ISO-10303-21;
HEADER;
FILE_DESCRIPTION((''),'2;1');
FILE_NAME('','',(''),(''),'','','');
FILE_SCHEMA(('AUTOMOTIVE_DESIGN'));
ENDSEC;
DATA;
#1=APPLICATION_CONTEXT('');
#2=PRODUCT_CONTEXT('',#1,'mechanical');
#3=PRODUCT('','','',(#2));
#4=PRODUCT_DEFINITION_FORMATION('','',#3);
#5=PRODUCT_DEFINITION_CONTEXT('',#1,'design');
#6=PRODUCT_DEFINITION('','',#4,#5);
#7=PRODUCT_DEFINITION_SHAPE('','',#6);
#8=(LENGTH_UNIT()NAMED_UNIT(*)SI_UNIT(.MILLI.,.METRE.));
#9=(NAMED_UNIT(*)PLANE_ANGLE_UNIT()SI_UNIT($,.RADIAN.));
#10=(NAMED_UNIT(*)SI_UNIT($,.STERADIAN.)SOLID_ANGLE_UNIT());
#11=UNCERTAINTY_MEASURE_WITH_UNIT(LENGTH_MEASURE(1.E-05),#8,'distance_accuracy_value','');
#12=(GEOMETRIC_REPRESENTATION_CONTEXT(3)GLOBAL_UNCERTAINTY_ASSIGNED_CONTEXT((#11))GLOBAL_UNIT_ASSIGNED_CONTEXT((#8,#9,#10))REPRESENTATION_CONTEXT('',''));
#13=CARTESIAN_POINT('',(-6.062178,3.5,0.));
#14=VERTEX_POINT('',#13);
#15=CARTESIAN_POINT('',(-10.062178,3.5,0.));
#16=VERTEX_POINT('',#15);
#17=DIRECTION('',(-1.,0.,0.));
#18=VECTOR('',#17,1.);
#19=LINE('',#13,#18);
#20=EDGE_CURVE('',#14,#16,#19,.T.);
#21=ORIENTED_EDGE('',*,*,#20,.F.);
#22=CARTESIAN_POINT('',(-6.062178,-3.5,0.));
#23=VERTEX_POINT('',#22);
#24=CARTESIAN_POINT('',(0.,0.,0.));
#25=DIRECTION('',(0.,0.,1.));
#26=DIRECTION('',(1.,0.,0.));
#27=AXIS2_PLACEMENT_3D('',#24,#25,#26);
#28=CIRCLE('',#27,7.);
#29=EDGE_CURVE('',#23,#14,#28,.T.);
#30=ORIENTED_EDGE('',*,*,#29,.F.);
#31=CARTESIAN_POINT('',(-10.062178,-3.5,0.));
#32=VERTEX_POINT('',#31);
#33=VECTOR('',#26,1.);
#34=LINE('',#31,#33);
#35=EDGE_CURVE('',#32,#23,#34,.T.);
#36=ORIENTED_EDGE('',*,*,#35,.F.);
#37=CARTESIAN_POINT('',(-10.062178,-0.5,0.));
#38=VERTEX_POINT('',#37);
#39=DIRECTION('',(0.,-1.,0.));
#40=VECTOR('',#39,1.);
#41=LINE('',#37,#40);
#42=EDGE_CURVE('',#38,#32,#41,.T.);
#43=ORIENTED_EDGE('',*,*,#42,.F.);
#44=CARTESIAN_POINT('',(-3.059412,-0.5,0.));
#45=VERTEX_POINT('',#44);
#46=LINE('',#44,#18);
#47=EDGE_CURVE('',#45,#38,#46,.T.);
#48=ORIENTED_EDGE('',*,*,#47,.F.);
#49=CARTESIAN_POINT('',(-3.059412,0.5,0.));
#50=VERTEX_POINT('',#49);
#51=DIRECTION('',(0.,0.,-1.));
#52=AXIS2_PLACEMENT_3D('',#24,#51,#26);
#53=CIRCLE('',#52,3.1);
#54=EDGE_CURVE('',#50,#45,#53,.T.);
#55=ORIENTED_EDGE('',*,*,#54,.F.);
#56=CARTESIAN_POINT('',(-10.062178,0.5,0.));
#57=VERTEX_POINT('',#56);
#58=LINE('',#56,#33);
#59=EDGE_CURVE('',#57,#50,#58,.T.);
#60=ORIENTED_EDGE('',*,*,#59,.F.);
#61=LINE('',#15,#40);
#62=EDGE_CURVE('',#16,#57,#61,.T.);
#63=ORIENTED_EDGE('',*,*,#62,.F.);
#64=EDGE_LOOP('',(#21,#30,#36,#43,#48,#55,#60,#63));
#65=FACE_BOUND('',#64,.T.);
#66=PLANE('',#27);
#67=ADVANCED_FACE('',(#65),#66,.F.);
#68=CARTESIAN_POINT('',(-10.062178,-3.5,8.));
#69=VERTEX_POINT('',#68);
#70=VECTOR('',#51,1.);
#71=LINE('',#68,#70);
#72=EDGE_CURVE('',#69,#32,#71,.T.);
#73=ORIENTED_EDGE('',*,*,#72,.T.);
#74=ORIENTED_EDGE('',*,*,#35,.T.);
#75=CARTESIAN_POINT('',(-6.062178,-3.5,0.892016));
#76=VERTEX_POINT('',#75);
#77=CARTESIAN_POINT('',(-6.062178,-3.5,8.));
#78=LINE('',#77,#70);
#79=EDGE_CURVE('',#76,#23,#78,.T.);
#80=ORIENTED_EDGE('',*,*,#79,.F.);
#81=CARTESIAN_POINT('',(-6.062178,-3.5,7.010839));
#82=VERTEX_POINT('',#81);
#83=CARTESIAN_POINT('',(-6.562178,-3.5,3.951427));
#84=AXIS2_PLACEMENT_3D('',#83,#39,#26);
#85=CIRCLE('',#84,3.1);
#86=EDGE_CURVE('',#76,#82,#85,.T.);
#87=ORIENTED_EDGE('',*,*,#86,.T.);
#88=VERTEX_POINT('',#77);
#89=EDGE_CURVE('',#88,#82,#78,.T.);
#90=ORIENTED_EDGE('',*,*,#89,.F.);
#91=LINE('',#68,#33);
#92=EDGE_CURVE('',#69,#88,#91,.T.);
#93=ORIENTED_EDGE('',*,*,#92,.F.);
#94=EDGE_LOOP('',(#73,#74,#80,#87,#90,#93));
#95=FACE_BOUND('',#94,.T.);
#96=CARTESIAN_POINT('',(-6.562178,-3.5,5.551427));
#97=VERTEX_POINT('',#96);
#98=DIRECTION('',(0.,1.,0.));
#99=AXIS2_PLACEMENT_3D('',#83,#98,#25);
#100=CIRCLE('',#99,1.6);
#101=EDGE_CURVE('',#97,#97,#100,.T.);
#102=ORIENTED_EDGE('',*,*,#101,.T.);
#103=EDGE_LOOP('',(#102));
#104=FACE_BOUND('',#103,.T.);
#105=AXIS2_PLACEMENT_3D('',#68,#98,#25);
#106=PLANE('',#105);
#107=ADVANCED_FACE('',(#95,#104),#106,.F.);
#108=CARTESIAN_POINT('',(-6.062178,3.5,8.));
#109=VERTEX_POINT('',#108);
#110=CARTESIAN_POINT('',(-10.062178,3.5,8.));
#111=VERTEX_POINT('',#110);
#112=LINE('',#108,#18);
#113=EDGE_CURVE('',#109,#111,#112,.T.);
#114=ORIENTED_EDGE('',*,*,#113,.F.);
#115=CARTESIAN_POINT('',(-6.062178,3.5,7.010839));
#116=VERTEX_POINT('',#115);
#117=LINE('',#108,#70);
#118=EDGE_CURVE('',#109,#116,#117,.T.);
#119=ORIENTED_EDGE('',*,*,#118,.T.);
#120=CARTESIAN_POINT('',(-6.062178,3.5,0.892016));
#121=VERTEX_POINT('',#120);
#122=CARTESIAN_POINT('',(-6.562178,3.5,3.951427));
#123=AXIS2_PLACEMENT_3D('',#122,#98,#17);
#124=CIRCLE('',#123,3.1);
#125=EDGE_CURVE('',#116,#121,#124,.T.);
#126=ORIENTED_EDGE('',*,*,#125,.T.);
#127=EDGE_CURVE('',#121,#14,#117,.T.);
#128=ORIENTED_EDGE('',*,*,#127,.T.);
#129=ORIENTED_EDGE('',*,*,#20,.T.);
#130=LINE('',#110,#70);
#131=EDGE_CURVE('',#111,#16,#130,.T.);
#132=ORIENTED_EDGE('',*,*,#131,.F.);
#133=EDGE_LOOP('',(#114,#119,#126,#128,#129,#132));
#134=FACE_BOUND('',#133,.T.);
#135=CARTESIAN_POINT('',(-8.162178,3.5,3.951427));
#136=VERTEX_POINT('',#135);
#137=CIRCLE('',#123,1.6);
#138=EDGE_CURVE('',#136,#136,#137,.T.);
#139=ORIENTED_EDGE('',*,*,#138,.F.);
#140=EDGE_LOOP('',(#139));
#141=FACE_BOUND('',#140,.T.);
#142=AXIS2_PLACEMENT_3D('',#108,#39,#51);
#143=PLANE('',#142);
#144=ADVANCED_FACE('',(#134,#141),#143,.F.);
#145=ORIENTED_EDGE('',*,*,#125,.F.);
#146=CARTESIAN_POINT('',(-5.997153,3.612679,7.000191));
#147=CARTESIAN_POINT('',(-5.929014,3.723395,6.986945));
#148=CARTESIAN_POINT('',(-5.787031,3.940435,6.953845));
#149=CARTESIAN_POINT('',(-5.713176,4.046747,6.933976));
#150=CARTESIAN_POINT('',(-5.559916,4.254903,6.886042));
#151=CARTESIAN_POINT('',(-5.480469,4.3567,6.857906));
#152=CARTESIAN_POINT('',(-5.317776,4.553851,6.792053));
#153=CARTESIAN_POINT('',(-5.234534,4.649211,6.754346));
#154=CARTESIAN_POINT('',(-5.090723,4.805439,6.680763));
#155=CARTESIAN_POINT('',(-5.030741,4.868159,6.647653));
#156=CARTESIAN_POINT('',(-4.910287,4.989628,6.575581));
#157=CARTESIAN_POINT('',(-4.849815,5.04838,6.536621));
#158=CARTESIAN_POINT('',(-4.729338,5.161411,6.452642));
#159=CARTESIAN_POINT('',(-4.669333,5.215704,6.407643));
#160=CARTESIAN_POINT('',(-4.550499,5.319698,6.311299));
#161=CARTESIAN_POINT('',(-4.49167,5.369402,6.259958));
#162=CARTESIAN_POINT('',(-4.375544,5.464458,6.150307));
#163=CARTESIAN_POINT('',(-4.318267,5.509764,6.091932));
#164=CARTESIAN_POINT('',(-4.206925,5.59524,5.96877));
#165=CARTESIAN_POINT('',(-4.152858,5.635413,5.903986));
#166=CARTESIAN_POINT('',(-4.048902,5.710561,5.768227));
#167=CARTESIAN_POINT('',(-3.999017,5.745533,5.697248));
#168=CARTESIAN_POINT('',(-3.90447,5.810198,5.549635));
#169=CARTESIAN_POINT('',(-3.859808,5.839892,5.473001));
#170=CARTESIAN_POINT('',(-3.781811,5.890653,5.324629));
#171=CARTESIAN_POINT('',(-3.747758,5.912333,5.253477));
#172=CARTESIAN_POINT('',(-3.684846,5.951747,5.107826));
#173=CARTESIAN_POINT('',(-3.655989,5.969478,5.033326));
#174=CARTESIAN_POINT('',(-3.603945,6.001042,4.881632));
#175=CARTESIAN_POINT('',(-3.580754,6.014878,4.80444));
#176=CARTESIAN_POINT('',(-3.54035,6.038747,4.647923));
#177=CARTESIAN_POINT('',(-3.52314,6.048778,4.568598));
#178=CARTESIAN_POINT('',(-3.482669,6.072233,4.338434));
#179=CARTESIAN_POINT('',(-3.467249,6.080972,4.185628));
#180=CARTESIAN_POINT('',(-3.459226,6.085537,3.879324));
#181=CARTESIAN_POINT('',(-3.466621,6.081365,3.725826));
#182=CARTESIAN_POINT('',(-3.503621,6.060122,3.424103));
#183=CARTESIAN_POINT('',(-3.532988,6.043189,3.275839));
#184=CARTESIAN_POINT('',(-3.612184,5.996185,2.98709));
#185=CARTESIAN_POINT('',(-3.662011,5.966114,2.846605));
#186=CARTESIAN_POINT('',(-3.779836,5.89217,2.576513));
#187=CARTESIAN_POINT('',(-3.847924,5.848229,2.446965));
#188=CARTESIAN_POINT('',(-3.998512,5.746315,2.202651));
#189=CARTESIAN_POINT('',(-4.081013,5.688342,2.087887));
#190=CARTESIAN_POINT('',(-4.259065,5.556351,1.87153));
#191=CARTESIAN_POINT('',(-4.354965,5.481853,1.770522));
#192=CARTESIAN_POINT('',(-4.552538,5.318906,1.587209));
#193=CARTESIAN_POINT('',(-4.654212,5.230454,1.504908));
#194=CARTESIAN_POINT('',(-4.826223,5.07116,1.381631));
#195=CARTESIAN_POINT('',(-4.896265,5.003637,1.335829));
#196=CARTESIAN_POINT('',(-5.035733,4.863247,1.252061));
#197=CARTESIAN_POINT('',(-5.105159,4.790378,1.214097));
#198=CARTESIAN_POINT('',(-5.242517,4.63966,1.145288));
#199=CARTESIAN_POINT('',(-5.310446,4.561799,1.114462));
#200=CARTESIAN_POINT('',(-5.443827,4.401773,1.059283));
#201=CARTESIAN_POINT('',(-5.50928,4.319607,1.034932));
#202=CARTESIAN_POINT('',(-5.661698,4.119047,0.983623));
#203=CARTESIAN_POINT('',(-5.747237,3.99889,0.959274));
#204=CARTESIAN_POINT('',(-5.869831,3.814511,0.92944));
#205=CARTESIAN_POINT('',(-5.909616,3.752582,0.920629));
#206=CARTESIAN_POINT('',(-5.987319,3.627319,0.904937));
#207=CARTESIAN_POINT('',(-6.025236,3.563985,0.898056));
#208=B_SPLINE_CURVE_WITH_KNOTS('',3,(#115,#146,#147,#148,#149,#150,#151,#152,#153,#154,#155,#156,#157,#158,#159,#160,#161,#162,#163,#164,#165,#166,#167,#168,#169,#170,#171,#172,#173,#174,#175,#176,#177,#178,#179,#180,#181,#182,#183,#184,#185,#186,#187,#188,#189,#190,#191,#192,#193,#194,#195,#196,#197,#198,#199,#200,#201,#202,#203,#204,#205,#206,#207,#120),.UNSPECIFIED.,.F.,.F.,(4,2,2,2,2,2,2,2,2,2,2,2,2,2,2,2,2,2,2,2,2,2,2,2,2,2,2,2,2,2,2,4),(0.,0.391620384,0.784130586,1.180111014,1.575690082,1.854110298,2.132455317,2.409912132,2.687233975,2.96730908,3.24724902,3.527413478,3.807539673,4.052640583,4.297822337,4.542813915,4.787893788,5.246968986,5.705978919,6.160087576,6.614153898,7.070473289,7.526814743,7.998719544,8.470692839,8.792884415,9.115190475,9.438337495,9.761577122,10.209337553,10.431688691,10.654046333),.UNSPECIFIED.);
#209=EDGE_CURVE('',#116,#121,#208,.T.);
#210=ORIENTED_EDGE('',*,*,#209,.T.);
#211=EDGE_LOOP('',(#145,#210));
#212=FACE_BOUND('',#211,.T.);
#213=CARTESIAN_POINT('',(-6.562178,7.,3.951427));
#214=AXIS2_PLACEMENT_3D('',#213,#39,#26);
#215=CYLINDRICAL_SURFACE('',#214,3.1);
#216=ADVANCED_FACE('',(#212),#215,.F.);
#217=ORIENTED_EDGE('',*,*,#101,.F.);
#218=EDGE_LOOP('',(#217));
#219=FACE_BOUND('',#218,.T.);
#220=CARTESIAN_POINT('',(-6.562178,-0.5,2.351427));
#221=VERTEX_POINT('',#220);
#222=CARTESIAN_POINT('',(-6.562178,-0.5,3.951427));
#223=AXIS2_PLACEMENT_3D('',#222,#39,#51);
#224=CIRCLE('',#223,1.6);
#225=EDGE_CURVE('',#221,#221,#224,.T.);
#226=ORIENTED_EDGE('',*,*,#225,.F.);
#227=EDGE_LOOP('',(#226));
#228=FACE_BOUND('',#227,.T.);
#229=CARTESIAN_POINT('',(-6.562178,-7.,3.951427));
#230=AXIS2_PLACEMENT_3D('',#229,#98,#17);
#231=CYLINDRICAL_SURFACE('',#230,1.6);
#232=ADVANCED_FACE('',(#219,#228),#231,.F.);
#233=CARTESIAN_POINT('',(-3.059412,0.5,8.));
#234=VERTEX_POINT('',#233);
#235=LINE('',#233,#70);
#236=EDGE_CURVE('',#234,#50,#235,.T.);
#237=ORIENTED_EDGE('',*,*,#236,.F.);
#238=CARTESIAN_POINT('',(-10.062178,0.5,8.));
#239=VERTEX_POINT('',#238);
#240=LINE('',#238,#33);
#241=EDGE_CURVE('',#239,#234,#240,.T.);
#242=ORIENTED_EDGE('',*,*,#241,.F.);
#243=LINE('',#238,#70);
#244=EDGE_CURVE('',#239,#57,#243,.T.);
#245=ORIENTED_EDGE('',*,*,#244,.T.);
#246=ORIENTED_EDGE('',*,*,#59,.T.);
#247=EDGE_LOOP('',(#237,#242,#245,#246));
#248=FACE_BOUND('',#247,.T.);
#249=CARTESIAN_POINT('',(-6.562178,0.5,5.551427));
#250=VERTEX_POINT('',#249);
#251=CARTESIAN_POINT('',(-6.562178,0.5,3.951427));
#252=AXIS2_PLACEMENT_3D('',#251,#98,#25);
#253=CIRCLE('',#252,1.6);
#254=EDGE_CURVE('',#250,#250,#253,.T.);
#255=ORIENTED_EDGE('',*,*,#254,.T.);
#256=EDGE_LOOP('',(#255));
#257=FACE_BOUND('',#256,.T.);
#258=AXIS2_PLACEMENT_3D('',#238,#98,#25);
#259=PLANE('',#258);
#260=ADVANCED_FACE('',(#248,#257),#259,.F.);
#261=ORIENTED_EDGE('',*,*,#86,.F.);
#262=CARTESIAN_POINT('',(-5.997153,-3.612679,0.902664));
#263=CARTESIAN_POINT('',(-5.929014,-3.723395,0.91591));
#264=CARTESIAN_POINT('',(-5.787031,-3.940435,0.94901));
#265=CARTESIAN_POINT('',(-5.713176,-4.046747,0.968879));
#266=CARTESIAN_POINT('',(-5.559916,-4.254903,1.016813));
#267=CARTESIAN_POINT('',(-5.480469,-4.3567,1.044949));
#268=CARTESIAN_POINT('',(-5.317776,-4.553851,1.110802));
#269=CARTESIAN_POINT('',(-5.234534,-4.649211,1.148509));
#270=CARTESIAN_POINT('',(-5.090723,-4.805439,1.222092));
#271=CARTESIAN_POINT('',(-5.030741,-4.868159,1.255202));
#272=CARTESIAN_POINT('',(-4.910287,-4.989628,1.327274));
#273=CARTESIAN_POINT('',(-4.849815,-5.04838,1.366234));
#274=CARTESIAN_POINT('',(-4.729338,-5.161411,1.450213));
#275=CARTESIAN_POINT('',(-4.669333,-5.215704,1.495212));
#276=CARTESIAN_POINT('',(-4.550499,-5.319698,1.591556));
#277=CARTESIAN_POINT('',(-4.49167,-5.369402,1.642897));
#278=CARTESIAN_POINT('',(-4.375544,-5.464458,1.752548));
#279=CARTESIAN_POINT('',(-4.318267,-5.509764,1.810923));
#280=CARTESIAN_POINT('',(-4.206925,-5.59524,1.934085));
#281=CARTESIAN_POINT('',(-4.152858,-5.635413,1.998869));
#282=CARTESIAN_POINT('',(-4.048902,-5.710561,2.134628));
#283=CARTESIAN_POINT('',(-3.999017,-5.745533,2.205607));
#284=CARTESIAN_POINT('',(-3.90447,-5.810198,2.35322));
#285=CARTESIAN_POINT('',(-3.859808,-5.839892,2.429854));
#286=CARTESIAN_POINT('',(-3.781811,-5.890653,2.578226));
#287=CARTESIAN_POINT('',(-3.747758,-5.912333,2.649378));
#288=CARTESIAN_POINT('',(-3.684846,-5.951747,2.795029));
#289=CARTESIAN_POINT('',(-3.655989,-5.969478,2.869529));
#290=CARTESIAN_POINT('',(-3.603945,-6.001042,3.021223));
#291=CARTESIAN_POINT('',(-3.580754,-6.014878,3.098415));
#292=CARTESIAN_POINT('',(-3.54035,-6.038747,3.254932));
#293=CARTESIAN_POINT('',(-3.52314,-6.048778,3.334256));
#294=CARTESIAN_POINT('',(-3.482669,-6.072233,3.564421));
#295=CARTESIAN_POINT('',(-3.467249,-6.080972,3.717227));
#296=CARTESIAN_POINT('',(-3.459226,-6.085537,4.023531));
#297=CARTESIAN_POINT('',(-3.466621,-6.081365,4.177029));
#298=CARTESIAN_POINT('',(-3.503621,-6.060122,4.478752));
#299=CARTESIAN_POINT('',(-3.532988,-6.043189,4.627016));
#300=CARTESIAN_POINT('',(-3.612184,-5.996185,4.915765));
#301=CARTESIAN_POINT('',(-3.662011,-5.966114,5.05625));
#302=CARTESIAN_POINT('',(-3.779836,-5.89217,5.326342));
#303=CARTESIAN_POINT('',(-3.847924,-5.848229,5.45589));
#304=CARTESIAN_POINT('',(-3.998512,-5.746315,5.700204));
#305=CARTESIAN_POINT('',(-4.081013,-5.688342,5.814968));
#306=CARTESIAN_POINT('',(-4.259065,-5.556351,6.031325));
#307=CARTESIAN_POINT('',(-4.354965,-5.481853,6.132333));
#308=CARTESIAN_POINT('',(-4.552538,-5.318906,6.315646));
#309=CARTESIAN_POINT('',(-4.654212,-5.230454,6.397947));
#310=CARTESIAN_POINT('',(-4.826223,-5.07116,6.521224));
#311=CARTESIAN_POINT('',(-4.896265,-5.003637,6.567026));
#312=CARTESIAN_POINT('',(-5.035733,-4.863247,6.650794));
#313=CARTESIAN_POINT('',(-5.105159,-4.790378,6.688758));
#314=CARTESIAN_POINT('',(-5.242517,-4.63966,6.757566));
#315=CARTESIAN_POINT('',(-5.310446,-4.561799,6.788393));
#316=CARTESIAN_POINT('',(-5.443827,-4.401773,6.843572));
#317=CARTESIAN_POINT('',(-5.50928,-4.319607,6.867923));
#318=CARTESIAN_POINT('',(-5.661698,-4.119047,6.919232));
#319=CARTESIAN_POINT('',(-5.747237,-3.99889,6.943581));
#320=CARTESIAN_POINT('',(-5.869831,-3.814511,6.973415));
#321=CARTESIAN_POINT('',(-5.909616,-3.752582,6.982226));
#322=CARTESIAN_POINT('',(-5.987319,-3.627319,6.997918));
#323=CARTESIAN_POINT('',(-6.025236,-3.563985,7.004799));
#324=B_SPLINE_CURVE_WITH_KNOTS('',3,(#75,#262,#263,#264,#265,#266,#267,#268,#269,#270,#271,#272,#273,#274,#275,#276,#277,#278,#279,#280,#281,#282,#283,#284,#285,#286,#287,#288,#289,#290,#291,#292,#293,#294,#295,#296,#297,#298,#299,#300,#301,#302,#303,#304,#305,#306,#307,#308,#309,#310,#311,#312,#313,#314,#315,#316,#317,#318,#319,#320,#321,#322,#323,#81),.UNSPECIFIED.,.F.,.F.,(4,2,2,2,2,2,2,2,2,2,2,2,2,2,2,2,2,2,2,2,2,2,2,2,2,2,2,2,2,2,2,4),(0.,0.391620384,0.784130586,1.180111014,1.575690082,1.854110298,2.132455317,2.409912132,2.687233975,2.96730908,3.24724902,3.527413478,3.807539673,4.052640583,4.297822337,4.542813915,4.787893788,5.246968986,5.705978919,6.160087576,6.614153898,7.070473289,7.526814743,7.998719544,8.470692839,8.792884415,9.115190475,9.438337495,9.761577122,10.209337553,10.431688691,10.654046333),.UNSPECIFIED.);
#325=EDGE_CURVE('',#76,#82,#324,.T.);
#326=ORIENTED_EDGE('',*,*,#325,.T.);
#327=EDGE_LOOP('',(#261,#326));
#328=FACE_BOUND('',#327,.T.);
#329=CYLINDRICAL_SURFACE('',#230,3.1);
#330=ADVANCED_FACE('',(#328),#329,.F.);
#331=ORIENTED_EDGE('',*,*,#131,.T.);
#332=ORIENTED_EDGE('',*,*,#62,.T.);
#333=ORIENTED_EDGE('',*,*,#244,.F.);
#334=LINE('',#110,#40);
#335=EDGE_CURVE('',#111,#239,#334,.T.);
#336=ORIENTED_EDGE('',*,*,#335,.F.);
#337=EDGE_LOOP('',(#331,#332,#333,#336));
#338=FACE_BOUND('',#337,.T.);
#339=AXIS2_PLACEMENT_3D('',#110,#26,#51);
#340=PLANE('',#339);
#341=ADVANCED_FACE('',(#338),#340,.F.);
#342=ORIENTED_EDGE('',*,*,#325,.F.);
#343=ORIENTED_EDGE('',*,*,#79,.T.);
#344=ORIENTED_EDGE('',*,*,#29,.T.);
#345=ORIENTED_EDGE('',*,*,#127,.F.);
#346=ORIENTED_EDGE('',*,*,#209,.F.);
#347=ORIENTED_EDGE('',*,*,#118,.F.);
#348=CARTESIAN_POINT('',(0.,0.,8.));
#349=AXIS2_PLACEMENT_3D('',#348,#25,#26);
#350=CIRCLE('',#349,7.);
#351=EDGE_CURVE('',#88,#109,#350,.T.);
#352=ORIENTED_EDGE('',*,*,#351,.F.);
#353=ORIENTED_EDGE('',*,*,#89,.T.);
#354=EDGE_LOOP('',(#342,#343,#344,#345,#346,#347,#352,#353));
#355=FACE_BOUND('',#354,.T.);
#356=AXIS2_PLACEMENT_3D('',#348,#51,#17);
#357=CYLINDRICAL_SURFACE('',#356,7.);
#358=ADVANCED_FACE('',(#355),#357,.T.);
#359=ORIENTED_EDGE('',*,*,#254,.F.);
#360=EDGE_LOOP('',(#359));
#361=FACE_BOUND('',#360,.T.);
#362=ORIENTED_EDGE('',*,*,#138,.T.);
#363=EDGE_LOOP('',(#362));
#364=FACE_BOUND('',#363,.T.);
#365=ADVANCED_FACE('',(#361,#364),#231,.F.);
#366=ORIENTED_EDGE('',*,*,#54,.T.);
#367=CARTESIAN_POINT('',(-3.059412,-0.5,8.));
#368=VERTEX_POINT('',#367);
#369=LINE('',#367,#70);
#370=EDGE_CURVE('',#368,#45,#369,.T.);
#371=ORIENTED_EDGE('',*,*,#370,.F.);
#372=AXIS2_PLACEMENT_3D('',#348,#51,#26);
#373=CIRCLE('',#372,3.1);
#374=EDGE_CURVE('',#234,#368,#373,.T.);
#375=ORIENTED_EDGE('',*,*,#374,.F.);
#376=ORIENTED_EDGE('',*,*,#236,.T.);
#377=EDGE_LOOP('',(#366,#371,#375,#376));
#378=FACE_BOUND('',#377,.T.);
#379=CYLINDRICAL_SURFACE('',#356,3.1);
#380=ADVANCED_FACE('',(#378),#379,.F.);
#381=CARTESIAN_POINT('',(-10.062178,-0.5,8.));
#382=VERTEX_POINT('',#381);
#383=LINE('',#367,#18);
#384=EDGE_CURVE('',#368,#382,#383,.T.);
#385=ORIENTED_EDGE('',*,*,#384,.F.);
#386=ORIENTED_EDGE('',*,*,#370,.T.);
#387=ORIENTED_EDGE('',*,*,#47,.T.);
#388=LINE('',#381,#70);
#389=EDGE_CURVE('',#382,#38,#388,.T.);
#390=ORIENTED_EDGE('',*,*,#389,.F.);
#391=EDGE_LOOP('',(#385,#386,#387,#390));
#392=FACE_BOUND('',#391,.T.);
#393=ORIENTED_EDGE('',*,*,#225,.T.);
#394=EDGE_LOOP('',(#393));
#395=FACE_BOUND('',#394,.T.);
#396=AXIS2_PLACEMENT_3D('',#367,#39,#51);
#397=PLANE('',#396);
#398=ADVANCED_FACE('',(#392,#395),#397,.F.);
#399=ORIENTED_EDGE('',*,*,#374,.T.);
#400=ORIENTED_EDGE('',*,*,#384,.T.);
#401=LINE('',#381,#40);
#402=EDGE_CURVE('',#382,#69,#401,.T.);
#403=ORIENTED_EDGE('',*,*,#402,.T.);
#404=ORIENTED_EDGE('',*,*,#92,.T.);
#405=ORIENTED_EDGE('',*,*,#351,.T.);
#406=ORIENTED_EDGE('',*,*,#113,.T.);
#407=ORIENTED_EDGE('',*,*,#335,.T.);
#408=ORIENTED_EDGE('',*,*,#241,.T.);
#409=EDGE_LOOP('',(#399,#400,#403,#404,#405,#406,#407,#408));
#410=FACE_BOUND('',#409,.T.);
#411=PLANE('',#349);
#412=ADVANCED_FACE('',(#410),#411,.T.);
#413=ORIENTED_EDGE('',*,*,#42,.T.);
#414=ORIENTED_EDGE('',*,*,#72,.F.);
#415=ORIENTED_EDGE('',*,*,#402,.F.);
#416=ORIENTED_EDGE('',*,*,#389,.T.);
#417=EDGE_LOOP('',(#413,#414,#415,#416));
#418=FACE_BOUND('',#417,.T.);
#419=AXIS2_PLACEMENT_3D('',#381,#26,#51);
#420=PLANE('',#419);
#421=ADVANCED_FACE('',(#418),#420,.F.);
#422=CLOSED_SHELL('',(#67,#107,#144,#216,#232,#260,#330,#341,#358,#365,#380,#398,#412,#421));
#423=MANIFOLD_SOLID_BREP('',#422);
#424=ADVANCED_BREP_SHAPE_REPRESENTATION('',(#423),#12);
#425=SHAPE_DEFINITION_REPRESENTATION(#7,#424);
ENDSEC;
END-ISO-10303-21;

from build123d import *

# Parameters (mm, degrees)
BOSS_EXTRUDE1_DEPTH = 8
SKETCH2_R           = 1.6
CUT_EXTRUDE1_DEPTH  = 17.598115032
SKETCH3_R           = 3.1
CUT_EXTRUDE2_DEPTH  = 17.598115143
SKETCH4_R           = 3.1
CUT_EXTRUDE3_DEPTH  = 17.598115143


with BuildPart() as part:
    # Sketch1 → Boss-Extrude1 (new body)
    with BuildSketch(Plane.XY):
        with BuildLine():
            Line((-6.062177826, 3.5), (-10.062177826, 3.5))
            Line((-10.062177826, 3.5), (-10.062177826, 0.5))
            Line((-10.062177826, 0.5), (-3.059411708, 0.5))
            ThreePointArc((-3.059411708, 0.5), (3.1, 0), (-3.059411708, -0.5))
            Line((-3.059411708, -0.5), (-10.062177826, -0.5))
            Line((-10.062177826, -0.5), (-10.062177826, -3.5))
            Line((-10.062177826, -3.5), (-6.062177826, -3.5))
            ThreePointArc((-6.062177826, -3.5), (7, 0), (-6.062177826, 3.5))
        make_face()
    extrude(amount=BOSS_EXTRUDE1_DEPTH)

    # Sketch2 → Cut-Extrude1 (cut, through all)
    with BuildSketch(Plane(origin=(0, 3.5, 0), x_dir=(1, 0, 0), z_dir=(0, 1, 0))):
        with Locations(Location((-6.562177826, -3.951427487, 0), (0, 0, 90))):
            Circle(SKETCH2_R)
    extrude(amount=-CUT_EXTRUDE1_DEPTH, mode=Mode.SUBTRACT)

    # Sketch3 → Cut-Extrude2 (cut, through all)
    with BuildSketch(Plane(origin=(0, 3.5, 0), x_dir=(1, 0, 0), z_dir=(0, 1, 0))):
        with Locations((-6.562177826, -3.951427487)):
            Circle(SKETCH3_R)
    extrude(amount=CUT_EXTRUDE2_DEPTH, mode=Mode.SUBTRACT)

    # Sketch4 → Cut-Extrude3 (cut, through all)
    with BuildSketch(Plane.XZ.offset(3.5)):
        with Locations((-6.562177826, 3.951427487)):
            Circle(SKETCH4_R)
    extrude(amount=CUT_EXTRUDE3_DEPTH, mode=Mode.SUBTRACT)


solid = part.part
